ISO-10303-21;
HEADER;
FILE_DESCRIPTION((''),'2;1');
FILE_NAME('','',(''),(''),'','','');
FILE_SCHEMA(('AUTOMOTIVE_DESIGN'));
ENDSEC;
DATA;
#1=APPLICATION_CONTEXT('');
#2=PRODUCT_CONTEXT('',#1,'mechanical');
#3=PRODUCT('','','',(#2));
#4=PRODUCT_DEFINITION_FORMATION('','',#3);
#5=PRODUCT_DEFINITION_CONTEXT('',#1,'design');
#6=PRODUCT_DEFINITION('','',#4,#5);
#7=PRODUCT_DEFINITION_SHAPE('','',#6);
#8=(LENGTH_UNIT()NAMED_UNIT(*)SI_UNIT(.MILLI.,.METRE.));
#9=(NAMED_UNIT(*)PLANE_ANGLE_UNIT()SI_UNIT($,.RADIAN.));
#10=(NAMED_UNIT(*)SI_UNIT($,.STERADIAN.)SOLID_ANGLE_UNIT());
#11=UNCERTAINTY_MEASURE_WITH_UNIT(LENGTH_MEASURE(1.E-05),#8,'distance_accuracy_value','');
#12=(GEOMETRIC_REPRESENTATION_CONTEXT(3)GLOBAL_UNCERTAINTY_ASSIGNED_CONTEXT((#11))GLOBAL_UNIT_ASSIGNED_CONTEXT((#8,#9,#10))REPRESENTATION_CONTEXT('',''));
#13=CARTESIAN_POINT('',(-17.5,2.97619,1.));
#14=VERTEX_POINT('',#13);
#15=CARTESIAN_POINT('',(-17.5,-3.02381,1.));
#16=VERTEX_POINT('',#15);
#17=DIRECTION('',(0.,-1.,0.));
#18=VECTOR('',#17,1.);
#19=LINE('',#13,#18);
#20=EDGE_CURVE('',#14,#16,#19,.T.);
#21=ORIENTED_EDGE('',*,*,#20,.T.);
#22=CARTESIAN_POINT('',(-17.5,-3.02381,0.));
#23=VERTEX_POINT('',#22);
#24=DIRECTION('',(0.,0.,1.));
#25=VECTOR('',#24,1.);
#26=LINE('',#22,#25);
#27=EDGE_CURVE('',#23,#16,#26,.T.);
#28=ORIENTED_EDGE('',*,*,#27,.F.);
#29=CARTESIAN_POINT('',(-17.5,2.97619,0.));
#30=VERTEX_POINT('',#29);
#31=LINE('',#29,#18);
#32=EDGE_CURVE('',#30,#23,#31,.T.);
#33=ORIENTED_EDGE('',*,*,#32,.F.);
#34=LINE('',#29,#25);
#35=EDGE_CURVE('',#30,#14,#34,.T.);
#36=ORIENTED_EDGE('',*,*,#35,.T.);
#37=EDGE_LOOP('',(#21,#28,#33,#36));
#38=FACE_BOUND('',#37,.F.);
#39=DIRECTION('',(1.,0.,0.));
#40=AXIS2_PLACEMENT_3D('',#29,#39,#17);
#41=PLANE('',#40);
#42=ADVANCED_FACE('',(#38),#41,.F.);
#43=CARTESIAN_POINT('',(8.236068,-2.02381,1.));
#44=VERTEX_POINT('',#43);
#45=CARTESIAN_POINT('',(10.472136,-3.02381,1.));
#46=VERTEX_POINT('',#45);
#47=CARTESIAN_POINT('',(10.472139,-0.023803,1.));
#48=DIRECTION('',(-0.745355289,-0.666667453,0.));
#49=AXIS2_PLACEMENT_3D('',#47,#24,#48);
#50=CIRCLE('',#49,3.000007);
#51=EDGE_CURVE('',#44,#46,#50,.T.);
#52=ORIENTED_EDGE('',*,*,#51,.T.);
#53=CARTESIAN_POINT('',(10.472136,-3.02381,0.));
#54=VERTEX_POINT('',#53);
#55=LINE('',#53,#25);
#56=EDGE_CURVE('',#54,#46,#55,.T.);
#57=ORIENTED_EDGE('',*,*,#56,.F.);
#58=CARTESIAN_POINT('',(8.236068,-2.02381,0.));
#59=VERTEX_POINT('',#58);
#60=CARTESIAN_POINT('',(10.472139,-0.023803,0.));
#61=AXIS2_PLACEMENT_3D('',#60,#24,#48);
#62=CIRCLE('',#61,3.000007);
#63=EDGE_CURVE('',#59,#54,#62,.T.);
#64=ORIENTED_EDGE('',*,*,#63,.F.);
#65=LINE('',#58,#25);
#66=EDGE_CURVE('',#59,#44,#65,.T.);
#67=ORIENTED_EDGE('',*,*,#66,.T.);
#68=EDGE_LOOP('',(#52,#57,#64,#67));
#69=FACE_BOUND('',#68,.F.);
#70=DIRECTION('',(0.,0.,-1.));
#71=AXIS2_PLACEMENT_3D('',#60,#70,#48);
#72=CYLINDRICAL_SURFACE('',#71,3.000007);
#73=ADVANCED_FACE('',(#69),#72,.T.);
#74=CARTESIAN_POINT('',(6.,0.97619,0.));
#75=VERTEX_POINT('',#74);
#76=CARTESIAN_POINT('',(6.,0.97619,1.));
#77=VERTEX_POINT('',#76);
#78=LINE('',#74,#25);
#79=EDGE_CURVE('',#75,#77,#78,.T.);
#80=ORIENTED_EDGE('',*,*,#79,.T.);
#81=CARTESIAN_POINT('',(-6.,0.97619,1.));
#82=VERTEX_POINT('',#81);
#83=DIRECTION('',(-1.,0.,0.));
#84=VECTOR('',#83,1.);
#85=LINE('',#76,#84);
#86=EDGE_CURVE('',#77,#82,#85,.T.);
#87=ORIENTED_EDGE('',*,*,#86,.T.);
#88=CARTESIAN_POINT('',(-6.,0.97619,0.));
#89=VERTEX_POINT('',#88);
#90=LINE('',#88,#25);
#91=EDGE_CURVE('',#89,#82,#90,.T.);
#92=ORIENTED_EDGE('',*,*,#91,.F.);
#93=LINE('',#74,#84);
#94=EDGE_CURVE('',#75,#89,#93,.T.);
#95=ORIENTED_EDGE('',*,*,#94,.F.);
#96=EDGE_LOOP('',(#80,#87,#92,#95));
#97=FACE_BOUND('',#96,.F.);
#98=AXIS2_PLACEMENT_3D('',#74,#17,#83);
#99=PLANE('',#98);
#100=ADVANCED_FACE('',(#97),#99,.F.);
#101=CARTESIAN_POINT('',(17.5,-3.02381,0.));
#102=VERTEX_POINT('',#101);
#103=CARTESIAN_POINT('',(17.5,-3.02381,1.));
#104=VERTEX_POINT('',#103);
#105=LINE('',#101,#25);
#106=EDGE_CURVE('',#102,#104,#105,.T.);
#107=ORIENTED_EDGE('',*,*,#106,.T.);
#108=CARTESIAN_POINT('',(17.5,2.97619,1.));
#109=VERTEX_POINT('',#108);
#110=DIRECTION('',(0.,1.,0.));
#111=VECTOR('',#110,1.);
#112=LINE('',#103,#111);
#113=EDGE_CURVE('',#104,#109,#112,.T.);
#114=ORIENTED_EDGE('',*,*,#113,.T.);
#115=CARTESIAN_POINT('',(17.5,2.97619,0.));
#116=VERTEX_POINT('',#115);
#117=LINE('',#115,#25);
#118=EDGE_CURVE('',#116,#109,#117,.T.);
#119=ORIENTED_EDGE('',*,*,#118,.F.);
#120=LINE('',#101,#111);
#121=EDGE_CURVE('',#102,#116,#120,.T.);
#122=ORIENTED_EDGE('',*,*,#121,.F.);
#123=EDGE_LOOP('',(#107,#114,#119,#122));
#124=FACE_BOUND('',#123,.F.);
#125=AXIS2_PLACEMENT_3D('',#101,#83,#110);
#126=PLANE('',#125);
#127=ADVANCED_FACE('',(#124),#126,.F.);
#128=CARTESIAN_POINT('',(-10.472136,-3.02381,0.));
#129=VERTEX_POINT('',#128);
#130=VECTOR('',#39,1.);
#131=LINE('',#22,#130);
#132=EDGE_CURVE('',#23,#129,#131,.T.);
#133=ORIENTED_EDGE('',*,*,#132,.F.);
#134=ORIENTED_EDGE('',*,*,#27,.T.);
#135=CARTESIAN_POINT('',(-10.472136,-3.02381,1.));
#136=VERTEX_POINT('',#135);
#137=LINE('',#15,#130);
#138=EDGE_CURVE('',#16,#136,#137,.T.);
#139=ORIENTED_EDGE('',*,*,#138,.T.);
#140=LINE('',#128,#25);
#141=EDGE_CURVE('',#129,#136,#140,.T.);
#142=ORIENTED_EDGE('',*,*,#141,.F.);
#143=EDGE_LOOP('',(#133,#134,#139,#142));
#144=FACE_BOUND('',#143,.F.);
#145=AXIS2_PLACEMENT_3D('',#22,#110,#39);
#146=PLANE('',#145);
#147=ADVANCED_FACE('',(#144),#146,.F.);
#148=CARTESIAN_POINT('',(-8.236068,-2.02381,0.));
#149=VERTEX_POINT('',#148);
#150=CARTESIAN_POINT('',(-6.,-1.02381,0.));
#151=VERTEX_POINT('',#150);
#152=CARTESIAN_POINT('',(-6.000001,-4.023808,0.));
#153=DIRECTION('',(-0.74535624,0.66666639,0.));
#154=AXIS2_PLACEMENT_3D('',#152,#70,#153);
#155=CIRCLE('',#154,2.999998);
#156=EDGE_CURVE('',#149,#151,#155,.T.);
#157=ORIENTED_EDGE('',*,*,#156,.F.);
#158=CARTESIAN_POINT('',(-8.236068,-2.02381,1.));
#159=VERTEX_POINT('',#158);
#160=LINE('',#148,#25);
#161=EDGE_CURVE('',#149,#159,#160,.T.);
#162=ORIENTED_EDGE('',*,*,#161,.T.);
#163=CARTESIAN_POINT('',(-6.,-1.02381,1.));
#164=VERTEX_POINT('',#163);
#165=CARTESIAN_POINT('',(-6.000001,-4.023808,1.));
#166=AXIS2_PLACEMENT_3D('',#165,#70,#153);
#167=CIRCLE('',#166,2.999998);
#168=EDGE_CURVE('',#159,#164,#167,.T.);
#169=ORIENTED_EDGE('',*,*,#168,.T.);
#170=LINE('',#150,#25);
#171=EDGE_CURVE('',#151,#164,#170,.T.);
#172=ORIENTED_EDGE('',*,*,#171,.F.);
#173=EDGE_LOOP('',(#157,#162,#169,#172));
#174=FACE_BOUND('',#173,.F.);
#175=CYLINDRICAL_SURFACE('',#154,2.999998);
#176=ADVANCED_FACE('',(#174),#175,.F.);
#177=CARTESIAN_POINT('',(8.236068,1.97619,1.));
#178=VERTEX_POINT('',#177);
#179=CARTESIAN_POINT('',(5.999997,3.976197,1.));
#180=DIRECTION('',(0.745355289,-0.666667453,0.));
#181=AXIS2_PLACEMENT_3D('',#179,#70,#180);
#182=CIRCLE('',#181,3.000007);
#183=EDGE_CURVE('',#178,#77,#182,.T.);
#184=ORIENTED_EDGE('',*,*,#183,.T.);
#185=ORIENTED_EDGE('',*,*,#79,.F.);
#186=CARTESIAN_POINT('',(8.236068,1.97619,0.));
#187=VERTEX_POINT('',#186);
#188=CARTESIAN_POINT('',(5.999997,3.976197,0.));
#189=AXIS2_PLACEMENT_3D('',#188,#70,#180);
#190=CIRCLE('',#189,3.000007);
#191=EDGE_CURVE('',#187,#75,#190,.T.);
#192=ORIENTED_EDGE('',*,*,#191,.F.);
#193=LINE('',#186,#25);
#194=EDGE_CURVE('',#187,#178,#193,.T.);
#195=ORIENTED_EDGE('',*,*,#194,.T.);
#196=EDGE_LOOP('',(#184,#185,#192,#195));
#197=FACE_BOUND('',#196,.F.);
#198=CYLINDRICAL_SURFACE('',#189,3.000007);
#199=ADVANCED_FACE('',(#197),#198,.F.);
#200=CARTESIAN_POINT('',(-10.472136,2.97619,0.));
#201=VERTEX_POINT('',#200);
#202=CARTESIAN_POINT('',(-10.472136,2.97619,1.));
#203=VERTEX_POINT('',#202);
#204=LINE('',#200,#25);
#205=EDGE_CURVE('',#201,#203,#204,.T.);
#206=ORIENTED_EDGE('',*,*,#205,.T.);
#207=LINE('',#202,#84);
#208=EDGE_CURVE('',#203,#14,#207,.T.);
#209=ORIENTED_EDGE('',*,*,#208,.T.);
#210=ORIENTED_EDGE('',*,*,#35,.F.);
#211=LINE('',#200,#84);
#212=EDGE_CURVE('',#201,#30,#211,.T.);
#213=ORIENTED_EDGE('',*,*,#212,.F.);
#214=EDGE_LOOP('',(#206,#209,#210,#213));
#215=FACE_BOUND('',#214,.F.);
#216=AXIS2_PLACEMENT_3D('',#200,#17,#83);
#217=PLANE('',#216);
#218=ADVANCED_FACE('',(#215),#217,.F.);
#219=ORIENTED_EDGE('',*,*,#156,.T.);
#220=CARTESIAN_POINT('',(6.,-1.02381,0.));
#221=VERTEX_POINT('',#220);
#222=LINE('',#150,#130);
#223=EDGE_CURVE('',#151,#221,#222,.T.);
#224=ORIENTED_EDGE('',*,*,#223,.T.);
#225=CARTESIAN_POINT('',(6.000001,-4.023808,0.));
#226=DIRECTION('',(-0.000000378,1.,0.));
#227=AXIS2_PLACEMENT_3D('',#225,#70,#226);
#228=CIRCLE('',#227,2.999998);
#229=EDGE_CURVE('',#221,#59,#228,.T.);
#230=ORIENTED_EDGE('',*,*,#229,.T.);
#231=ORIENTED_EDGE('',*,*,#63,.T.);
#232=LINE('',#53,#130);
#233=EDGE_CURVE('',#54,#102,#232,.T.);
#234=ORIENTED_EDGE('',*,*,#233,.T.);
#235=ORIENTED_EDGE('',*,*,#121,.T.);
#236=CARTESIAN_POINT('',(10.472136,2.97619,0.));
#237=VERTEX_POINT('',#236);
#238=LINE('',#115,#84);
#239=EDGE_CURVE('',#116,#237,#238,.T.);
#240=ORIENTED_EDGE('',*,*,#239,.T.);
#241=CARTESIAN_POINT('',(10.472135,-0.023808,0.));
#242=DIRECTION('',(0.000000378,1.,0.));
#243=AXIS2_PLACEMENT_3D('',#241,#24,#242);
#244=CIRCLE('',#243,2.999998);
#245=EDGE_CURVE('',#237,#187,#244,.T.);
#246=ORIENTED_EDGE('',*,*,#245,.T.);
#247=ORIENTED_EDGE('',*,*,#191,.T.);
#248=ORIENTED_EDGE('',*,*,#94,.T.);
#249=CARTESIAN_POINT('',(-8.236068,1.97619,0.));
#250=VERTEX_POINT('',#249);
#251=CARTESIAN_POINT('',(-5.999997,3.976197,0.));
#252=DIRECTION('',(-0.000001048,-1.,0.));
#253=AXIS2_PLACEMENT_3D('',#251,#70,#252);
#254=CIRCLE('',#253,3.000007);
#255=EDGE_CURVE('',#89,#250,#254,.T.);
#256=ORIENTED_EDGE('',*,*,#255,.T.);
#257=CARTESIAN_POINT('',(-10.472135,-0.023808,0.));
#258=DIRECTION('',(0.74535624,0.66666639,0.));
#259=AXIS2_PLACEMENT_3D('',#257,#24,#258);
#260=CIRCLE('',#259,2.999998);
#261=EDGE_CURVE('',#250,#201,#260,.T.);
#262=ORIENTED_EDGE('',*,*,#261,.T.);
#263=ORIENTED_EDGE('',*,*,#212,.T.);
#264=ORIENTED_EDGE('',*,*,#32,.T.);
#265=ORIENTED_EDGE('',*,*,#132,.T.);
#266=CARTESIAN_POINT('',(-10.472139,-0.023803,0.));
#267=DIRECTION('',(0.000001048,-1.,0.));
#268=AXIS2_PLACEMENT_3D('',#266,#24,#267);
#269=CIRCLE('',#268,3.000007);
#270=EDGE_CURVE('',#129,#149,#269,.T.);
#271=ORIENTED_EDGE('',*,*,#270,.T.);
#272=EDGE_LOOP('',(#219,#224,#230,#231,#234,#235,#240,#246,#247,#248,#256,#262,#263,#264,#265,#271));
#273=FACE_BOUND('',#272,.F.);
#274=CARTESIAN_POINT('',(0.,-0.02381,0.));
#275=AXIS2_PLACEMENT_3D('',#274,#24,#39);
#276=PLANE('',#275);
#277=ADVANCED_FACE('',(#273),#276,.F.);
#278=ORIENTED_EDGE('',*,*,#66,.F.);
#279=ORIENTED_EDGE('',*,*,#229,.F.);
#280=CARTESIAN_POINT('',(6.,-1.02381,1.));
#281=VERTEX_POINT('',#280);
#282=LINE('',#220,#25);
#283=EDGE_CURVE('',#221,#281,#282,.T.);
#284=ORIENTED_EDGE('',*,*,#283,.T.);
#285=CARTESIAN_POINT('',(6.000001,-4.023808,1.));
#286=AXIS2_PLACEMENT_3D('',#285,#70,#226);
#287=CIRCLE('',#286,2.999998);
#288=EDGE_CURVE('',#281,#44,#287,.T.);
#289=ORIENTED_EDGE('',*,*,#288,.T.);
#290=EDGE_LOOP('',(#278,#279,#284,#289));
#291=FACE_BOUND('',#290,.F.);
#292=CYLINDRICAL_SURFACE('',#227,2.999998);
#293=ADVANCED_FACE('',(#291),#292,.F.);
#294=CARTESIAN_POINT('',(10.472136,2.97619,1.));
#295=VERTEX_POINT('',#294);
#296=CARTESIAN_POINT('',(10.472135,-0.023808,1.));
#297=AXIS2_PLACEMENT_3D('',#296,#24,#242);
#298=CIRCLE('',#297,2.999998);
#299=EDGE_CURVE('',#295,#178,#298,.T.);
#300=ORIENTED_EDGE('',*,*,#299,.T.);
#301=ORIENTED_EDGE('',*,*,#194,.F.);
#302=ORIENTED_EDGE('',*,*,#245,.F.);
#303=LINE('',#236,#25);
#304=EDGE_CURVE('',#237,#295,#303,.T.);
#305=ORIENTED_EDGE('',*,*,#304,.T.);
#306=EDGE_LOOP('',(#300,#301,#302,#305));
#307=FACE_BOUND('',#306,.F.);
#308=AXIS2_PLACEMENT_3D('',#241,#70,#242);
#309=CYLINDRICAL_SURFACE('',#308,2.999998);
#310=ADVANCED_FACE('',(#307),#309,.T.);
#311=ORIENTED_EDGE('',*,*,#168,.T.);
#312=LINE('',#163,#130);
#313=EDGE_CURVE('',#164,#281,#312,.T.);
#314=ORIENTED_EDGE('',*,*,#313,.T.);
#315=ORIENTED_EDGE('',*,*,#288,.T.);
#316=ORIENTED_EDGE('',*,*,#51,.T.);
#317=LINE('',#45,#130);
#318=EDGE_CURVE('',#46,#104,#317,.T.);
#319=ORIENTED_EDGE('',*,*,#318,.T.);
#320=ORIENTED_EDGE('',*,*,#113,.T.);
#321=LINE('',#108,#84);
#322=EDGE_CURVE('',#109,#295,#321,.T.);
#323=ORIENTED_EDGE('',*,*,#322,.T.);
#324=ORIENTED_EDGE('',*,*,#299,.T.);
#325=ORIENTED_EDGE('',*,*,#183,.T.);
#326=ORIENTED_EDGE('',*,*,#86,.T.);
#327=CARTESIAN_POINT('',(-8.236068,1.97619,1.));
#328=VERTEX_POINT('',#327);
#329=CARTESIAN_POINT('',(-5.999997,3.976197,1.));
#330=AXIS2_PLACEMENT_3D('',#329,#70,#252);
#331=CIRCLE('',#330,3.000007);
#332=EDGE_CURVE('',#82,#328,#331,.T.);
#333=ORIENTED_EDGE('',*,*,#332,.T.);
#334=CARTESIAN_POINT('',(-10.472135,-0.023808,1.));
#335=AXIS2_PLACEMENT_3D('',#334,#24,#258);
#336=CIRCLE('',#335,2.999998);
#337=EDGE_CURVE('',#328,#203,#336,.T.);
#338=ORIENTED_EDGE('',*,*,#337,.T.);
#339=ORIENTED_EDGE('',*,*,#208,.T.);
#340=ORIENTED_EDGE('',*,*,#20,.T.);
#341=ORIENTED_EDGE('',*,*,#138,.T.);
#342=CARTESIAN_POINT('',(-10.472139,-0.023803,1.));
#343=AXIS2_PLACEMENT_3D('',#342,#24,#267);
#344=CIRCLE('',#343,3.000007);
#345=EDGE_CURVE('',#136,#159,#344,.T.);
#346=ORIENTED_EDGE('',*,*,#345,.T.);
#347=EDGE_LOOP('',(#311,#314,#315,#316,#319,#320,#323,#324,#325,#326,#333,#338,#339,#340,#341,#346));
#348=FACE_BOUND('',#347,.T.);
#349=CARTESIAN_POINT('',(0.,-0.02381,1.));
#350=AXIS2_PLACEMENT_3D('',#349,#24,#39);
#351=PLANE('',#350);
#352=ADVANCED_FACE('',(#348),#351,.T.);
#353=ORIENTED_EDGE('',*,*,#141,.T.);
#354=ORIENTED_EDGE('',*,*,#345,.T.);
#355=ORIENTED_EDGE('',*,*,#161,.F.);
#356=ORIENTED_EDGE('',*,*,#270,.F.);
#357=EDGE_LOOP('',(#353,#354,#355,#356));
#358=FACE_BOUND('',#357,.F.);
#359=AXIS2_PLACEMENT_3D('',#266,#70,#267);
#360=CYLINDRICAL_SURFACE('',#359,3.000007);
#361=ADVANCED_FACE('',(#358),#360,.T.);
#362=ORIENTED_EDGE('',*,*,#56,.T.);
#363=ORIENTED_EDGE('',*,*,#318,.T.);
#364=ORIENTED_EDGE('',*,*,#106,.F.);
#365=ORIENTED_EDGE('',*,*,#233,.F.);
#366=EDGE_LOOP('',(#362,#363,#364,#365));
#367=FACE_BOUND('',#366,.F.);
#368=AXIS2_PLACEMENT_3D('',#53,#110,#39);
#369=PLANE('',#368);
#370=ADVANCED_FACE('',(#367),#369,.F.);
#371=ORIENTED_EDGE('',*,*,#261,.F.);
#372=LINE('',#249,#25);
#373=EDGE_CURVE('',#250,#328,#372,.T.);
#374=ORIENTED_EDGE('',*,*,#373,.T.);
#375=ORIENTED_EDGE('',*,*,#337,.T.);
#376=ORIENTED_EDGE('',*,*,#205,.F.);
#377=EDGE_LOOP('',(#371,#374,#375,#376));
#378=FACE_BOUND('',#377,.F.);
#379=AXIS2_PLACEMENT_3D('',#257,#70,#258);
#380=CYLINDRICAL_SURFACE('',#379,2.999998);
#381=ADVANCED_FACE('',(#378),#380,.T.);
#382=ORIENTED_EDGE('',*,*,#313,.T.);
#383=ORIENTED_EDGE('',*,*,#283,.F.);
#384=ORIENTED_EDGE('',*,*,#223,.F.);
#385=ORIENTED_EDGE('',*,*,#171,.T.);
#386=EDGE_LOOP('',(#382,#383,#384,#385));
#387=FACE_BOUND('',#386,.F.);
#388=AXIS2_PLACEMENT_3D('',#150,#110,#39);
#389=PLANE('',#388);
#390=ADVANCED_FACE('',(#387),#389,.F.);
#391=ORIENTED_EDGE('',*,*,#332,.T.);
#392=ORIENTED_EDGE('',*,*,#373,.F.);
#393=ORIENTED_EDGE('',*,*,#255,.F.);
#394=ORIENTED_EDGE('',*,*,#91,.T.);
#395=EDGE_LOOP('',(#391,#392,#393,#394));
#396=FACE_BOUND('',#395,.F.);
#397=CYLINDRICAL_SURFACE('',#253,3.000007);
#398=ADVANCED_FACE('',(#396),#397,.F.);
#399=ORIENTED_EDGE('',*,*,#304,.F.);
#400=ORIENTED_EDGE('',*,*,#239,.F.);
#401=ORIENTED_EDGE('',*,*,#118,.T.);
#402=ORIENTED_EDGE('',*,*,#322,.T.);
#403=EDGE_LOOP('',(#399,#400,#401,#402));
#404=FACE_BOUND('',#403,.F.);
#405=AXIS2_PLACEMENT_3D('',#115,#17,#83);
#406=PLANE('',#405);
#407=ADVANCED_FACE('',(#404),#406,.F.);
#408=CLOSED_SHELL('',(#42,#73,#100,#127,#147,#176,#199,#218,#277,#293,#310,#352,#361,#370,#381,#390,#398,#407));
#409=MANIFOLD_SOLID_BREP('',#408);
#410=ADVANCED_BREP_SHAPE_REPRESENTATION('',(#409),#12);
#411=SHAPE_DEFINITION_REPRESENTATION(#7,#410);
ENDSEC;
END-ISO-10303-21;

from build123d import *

# Parameters (mm, degrees)
F1_DEPTH = 1


with BuildPart() as f1:
    # F0 (on Top) → F1 (new body)
    with BuildSketch(Plane.XY):
        with BuildLine():
            Line((-10.472136, 2.97619), (-17.5, 2.97619))
            Line((-17.5, 2.97619), (-17.5, -0.02381))
            Line((-17.5, -0.02381), (-17.5, -3.02381))
            Line((-17.5, -3.02381), (-10.472136, -3.02381))
            ThreePointArc((-10.472136, -3.02381), (-9.247391, -2.762422), (-8.236068, -2.02381))
            ThreePointArc((-8.236068, -2.02381), (-7.224745, -1.285197), (-6, -1.02381))
            Line((-6, -1.02381), (0, -1.02381))
            Line((0, -1.02381), (6, -1.02381))
            ThreePointArc((6, -1.02381), (7.224745, -1.285197), (8.236068, -2.02381))
            ThreePointArc((8.236068, -2.02381), (9.247391, -2.762422), (10.472136, -3.02381))
            Line((10.472136, -3.02381), (17.5, -3.02381))
            Line((17.5, -3.02381), (17.5, -0.02381))
            Line((17.5, -0.02381), (17.5, 2.97619))
            Line((17.5, 2.97619), (10.472136, 2.97619))
            ThreePointArc((10.472136, 2.97619), (9.247391, 2.714803), (8.236068, 1.97619))
            ThreePointArc((8.236068, 1.97619), (7.224745, 1.237578), (6, 0.97619))
            Line((6, 0.97619), (0, 0.97619))
            Line((0, 0.97619), (-6, 0.97619))
            ThreePointArc((-6, 0.97619), (-7.224745, 1.237578), (-8.236068, 1.97619))
            ThreePointArc((-8.236068, 1.97619), (-9.247391, 2.714803), (-10.472136, 2.97619))
        make_face()
    extrude(amount=F1_DEPTH)


solid = f1.part
